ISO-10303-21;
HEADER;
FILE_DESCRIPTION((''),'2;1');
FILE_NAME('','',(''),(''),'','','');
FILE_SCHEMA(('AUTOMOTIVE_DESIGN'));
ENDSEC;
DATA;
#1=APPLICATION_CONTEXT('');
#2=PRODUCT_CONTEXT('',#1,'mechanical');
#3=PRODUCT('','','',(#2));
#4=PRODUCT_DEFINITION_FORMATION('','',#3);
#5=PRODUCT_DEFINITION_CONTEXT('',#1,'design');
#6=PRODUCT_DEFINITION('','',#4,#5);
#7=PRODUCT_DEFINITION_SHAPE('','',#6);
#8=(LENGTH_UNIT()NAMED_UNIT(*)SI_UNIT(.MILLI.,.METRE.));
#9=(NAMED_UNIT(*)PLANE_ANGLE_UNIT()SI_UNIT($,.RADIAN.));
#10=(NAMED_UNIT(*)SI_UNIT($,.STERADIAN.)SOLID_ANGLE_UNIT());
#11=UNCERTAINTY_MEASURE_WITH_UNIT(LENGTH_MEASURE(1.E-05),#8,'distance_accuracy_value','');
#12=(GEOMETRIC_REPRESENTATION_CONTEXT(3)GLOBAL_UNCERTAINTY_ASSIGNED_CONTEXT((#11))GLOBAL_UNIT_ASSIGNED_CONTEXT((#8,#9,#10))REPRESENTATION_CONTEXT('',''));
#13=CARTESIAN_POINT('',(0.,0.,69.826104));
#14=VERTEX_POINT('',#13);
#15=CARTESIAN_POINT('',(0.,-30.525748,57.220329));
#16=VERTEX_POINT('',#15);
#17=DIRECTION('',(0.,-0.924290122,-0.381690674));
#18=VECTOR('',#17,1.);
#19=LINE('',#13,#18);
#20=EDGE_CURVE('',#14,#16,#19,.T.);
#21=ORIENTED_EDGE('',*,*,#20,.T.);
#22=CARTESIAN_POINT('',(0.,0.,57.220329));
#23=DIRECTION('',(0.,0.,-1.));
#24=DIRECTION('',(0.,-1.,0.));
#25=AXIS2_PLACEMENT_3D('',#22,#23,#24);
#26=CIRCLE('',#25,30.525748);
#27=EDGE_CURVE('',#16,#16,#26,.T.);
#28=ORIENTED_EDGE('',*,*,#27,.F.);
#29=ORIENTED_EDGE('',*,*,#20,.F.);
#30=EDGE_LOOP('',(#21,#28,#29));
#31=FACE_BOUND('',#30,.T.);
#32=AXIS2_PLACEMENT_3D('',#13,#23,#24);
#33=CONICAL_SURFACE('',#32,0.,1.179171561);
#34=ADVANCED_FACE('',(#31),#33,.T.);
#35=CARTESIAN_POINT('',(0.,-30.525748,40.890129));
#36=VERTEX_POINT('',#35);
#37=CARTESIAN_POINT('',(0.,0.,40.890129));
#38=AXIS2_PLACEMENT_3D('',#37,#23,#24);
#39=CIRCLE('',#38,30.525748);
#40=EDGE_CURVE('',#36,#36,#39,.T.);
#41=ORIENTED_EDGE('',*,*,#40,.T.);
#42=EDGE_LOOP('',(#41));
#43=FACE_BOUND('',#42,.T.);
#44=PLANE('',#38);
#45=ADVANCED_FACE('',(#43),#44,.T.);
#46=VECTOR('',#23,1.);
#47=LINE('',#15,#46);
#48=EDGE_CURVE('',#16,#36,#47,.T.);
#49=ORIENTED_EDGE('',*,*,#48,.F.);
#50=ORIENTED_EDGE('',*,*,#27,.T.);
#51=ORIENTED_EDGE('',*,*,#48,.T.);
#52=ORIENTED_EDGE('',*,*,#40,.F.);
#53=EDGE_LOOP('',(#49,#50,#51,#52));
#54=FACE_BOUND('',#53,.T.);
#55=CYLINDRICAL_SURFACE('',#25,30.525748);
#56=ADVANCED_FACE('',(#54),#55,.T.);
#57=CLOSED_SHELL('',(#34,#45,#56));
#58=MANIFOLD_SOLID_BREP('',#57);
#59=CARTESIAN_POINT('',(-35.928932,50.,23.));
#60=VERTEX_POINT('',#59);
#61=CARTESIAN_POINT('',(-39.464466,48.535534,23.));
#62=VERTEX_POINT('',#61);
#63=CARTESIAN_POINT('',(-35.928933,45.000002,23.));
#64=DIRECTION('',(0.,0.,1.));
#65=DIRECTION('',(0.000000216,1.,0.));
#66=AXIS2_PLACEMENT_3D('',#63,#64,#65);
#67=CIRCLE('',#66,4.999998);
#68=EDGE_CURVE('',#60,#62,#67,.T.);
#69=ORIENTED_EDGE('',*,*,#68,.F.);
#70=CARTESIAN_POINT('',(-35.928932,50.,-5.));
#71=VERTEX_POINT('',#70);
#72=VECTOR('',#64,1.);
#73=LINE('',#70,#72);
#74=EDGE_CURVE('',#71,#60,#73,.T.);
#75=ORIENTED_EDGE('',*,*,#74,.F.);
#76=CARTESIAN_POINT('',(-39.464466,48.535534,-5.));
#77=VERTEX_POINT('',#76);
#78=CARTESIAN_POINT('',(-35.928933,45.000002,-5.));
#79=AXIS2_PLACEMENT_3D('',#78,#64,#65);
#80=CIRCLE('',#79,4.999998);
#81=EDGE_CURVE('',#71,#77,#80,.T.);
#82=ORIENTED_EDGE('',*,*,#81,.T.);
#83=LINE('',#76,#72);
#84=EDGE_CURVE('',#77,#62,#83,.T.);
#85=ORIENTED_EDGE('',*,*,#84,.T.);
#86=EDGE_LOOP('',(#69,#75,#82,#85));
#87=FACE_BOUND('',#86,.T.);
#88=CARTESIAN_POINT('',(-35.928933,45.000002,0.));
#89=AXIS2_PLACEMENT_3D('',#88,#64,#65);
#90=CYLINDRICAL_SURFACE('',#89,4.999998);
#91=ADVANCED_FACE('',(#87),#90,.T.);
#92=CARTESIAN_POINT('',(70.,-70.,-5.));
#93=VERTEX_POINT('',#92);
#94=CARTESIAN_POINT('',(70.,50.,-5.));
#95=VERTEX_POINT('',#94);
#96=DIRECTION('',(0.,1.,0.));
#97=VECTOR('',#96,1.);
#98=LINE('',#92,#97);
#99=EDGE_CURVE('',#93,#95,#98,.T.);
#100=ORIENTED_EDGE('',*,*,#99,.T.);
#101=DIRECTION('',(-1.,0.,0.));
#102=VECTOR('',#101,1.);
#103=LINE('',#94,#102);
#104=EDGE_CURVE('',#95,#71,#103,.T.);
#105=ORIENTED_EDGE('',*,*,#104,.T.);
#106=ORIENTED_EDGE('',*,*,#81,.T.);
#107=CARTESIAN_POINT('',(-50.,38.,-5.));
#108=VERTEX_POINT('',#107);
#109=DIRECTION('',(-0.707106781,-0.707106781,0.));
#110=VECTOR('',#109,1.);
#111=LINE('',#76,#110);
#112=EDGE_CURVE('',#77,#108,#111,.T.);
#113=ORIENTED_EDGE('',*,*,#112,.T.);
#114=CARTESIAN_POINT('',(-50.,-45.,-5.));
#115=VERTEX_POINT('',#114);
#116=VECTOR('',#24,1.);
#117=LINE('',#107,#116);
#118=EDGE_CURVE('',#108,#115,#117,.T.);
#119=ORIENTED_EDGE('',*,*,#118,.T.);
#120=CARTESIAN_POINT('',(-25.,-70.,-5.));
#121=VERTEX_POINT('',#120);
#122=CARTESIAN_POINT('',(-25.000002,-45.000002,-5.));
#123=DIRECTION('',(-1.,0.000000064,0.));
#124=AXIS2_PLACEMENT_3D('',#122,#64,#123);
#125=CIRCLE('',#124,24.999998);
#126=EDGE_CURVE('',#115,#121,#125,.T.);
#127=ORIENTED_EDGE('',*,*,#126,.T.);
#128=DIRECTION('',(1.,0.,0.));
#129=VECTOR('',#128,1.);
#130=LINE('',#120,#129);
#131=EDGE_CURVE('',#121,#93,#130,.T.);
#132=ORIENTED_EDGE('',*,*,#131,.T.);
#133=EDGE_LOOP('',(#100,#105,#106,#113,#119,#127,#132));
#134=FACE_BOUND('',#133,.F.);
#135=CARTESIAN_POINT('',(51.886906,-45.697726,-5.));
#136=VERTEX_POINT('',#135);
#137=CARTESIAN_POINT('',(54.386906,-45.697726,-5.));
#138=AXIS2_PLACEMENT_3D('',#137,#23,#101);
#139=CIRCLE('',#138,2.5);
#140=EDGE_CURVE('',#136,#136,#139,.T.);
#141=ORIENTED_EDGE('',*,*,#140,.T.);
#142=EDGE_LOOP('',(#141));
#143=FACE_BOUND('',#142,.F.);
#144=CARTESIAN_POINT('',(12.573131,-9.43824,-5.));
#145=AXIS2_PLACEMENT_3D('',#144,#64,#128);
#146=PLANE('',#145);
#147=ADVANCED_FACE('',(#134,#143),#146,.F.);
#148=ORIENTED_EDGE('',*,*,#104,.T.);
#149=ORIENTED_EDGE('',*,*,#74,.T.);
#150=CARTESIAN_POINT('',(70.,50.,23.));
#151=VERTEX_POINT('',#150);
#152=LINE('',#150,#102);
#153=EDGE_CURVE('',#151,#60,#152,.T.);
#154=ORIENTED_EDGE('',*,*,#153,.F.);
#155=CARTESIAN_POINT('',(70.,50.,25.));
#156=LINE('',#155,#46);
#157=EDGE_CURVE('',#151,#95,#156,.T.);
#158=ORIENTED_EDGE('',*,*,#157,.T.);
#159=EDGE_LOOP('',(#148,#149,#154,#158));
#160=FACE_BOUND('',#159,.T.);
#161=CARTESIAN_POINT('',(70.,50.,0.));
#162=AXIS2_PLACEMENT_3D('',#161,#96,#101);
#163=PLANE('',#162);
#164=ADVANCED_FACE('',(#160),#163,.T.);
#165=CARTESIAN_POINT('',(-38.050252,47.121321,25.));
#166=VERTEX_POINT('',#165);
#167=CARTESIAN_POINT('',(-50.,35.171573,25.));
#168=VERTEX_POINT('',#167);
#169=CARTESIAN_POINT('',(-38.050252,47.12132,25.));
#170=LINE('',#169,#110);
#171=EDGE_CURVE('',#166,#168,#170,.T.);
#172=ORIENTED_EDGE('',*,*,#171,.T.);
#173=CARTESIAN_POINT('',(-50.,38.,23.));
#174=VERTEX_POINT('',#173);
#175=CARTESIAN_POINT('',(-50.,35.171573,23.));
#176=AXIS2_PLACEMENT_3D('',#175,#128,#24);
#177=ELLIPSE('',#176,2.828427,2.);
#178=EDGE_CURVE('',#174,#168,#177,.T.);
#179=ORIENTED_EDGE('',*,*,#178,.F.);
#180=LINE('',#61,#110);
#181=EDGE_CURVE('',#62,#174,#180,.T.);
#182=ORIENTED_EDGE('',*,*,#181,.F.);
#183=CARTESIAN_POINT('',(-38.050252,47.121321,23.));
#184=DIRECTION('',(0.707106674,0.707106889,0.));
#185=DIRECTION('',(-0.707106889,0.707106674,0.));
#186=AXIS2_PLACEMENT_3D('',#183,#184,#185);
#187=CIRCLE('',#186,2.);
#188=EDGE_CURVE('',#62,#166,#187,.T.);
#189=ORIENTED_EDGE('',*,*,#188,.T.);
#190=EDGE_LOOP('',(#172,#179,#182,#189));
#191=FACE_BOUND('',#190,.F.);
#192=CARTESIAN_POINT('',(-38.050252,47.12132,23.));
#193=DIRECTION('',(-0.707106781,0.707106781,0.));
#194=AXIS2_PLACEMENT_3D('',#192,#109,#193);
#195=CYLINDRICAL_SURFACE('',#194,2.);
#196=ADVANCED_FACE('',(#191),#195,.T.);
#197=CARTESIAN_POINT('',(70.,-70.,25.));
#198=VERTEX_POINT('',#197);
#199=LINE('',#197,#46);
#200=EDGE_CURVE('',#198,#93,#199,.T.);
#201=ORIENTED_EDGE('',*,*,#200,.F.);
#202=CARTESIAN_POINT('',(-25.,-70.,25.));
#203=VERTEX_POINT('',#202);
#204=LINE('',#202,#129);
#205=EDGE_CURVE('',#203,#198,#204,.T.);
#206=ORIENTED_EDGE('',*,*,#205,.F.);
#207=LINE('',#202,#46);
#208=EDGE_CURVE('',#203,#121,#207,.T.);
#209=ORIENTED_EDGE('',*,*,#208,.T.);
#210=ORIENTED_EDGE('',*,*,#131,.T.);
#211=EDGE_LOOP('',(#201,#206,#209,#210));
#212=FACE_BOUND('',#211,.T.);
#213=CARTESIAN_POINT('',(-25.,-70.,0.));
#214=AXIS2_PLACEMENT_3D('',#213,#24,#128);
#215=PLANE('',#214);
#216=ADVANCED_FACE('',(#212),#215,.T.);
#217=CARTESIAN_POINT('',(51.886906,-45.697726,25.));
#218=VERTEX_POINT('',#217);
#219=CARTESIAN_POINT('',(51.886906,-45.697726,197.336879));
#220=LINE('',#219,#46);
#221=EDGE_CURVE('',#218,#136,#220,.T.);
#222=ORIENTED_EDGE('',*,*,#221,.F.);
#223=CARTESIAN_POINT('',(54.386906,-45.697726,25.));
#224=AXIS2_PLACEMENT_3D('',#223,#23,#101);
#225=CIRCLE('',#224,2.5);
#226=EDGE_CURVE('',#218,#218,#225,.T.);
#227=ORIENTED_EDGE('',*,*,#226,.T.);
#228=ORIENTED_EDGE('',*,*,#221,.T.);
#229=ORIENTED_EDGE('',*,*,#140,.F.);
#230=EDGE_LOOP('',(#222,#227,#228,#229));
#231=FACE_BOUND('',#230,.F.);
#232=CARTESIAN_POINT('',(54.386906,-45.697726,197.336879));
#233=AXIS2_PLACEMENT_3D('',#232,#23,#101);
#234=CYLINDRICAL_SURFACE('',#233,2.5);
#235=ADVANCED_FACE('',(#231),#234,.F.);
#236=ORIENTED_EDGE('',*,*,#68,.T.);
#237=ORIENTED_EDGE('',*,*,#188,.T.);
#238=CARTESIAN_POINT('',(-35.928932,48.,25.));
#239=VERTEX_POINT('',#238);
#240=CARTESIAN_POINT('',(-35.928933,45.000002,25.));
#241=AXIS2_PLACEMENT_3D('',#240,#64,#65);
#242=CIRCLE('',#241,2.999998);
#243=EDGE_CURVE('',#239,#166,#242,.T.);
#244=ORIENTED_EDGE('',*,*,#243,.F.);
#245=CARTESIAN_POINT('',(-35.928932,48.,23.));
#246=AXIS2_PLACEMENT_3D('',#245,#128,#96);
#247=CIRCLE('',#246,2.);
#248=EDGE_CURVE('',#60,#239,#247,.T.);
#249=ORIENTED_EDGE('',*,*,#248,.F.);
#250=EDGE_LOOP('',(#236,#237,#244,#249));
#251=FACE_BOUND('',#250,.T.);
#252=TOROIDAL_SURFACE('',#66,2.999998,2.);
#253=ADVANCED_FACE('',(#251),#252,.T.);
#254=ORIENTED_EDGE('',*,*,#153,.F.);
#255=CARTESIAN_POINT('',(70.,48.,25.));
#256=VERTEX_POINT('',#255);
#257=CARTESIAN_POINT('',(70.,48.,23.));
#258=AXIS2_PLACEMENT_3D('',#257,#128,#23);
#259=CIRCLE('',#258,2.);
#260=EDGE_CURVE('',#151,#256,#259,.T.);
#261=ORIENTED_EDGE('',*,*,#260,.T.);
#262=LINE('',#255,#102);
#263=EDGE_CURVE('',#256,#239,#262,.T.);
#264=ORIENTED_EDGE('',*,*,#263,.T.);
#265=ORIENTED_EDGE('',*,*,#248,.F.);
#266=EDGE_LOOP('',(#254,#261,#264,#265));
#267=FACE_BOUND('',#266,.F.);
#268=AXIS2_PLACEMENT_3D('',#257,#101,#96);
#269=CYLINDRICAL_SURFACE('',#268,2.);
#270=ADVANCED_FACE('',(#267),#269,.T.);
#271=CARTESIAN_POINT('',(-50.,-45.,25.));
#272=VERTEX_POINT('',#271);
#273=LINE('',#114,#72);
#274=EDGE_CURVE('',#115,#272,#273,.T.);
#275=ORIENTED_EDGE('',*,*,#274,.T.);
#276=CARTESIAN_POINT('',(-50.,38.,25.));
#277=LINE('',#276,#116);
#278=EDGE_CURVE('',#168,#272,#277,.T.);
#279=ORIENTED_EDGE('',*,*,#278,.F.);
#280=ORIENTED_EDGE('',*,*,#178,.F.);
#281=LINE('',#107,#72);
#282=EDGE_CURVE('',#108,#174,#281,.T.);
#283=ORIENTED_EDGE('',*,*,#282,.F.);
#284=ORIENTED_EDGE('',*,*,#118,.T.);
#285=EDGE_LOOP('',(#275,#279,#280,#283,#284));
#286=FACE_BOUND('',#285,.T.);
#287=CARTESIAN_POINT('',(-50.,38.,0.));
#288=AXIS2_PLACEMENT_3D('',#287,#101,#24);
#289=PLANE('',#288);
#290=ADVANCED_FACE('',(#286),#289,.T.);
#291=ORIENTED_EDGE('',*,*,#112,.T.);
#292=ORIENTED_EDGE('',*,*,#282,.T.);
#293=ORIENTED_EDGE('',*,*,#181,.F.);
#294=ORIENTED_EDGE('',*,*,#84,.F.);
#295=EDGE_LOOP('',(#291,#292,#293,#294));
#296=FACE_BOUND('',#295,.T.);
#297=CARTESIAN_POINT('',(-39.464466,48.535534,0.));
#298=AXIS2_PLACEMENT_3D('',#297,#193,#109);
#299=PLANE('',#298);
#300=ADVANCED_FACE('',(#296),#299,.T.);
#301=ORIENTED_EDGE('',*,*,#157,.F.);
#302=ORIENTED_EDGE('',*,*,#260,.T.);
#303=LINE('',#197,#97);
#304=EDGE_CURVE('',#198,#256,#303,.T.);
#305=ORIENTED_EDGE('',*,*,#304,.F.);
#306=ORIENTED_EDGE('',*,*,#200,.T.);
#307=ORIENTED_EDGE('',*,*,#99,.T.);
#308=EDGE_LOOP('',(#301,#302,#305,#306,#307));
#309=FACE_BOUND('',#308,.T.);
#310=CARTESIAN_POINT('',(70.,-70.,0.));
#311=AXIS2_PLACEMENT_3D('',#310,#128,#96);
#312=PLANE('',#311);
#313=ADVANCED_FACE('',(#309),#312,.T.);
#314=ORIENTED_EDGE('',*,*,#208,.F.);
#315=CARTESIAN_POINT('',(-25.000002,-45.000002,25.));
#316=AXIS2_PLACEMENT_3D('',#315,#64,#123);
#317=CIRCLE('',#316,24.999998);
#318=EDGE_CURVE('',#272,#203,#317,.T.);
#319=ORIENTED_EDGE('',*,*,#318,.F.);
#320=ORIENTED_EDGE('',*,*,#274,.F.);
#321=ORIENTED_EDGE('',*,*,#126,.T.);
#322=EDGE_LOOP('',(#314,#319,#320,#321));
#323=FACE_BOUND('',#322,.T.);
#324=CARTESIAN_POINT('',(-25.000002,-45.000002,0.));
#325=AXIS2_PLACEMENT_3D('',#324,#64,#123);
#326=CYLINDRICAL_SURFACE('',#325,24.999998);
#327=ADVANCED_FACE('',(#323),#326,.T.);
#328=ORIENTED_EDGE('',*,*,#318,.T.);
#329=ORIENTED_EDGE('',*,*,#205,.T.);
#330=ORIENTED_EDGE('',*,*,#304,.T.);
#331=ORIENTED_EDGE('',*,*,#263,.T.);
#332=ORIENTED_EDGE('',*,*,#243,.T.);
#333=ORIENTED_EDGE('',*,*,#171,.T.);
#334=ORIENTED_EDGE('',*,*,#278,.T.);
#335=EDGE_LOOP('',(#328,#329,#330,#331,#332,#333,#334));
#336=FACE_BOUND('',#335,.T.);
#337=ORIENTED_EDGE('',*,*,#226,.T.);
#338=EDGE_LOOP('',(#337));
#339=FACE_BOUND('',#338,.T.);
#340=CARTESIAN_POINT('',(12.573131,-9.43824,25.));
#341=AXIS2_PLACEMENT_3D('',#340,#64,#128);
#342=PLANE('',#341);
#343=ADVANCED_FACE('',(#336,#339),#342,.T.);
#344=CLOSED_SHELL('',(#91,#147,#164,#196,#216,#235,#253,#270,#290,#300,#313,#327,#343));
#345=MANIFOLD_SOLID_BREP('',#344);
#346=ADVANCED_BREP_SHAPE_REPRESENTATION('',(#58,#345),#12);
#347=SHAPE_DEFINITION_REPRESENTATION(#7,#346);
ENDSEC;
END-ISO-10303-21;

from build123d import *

# Parameters (mm, degrees)
F1_DEPTH = 25
F2_DEPTH = 5
F5_R     = 2
F7_D     = 5


with BuildPart() as f1:
    # F0 (on Top) → F1 (new body)
    with BuildSketch(Plane.XY):
        with BuildLine():
            Line((70, 50), (-35.928932, 50))
            ThreePointArc((-35.928932, 50), (-37.842349, 49.619398), (-39.464466, 48.535534))
            Line((-39.464466, 48.535534), (-50, 38))
            Line((-50, 38), (-50, -45))
            ThreePointArc((-50, -45), (-42.67767, -62.67767), (-25, -70))
            Line((-25, -70), (70, -70))
            Line((70, -70), (70, 50))
        make_face()
    extrude(amount=F1_DEPTH)

    # F0 (on Top) → F2 (join)
    with BuildSketch(Plane.XY):
        with BuildLine():
            Line((70, 50), (-35.928932, 50))
            ThreePointArc((-35.928932, 50), (-37.842349, 49.619398), (-39.464466, 48.535534))
            Line((-39.464466, 48.535534), (-50, 38))
            Line((-50, 38), (-50, -45))
            ThreePointArc((-50, -45), (-42.67767, -62.67767), (-25, -70))
            Line((-25, -70), (70, -70))
            Line((70, -70), (70, 50))
        make_face()
    extrude(amount=-F2_DEPTH)

    # F5
    f5_edges = [f1.edges().sort_by_distance(p)[0] for p in [
        (17.035534, 50, 25),
    ]]
    fillet(f5_edges, radius=F5_R)

    # F7 (through all)
    with Locations(Plane.XY.offset(25)):
        with Locations((54.386906, -45.697726)):
            Hole(F7_D / 2)


with BuildPart() as f4:
    # F3 (on Right) → F4 (revolve)
    with BuildSketch(Plane.YZ):
        Polygon((-30.525748, 40.890129), (0, 40.890129), (0, 69.826104), (-30.525748, 57.220329), align=None)
    revolve(axis=Axis((0, 0, 55.358116), (0, 0, -1)))


solid = Compound([f1.part, f4.part])
